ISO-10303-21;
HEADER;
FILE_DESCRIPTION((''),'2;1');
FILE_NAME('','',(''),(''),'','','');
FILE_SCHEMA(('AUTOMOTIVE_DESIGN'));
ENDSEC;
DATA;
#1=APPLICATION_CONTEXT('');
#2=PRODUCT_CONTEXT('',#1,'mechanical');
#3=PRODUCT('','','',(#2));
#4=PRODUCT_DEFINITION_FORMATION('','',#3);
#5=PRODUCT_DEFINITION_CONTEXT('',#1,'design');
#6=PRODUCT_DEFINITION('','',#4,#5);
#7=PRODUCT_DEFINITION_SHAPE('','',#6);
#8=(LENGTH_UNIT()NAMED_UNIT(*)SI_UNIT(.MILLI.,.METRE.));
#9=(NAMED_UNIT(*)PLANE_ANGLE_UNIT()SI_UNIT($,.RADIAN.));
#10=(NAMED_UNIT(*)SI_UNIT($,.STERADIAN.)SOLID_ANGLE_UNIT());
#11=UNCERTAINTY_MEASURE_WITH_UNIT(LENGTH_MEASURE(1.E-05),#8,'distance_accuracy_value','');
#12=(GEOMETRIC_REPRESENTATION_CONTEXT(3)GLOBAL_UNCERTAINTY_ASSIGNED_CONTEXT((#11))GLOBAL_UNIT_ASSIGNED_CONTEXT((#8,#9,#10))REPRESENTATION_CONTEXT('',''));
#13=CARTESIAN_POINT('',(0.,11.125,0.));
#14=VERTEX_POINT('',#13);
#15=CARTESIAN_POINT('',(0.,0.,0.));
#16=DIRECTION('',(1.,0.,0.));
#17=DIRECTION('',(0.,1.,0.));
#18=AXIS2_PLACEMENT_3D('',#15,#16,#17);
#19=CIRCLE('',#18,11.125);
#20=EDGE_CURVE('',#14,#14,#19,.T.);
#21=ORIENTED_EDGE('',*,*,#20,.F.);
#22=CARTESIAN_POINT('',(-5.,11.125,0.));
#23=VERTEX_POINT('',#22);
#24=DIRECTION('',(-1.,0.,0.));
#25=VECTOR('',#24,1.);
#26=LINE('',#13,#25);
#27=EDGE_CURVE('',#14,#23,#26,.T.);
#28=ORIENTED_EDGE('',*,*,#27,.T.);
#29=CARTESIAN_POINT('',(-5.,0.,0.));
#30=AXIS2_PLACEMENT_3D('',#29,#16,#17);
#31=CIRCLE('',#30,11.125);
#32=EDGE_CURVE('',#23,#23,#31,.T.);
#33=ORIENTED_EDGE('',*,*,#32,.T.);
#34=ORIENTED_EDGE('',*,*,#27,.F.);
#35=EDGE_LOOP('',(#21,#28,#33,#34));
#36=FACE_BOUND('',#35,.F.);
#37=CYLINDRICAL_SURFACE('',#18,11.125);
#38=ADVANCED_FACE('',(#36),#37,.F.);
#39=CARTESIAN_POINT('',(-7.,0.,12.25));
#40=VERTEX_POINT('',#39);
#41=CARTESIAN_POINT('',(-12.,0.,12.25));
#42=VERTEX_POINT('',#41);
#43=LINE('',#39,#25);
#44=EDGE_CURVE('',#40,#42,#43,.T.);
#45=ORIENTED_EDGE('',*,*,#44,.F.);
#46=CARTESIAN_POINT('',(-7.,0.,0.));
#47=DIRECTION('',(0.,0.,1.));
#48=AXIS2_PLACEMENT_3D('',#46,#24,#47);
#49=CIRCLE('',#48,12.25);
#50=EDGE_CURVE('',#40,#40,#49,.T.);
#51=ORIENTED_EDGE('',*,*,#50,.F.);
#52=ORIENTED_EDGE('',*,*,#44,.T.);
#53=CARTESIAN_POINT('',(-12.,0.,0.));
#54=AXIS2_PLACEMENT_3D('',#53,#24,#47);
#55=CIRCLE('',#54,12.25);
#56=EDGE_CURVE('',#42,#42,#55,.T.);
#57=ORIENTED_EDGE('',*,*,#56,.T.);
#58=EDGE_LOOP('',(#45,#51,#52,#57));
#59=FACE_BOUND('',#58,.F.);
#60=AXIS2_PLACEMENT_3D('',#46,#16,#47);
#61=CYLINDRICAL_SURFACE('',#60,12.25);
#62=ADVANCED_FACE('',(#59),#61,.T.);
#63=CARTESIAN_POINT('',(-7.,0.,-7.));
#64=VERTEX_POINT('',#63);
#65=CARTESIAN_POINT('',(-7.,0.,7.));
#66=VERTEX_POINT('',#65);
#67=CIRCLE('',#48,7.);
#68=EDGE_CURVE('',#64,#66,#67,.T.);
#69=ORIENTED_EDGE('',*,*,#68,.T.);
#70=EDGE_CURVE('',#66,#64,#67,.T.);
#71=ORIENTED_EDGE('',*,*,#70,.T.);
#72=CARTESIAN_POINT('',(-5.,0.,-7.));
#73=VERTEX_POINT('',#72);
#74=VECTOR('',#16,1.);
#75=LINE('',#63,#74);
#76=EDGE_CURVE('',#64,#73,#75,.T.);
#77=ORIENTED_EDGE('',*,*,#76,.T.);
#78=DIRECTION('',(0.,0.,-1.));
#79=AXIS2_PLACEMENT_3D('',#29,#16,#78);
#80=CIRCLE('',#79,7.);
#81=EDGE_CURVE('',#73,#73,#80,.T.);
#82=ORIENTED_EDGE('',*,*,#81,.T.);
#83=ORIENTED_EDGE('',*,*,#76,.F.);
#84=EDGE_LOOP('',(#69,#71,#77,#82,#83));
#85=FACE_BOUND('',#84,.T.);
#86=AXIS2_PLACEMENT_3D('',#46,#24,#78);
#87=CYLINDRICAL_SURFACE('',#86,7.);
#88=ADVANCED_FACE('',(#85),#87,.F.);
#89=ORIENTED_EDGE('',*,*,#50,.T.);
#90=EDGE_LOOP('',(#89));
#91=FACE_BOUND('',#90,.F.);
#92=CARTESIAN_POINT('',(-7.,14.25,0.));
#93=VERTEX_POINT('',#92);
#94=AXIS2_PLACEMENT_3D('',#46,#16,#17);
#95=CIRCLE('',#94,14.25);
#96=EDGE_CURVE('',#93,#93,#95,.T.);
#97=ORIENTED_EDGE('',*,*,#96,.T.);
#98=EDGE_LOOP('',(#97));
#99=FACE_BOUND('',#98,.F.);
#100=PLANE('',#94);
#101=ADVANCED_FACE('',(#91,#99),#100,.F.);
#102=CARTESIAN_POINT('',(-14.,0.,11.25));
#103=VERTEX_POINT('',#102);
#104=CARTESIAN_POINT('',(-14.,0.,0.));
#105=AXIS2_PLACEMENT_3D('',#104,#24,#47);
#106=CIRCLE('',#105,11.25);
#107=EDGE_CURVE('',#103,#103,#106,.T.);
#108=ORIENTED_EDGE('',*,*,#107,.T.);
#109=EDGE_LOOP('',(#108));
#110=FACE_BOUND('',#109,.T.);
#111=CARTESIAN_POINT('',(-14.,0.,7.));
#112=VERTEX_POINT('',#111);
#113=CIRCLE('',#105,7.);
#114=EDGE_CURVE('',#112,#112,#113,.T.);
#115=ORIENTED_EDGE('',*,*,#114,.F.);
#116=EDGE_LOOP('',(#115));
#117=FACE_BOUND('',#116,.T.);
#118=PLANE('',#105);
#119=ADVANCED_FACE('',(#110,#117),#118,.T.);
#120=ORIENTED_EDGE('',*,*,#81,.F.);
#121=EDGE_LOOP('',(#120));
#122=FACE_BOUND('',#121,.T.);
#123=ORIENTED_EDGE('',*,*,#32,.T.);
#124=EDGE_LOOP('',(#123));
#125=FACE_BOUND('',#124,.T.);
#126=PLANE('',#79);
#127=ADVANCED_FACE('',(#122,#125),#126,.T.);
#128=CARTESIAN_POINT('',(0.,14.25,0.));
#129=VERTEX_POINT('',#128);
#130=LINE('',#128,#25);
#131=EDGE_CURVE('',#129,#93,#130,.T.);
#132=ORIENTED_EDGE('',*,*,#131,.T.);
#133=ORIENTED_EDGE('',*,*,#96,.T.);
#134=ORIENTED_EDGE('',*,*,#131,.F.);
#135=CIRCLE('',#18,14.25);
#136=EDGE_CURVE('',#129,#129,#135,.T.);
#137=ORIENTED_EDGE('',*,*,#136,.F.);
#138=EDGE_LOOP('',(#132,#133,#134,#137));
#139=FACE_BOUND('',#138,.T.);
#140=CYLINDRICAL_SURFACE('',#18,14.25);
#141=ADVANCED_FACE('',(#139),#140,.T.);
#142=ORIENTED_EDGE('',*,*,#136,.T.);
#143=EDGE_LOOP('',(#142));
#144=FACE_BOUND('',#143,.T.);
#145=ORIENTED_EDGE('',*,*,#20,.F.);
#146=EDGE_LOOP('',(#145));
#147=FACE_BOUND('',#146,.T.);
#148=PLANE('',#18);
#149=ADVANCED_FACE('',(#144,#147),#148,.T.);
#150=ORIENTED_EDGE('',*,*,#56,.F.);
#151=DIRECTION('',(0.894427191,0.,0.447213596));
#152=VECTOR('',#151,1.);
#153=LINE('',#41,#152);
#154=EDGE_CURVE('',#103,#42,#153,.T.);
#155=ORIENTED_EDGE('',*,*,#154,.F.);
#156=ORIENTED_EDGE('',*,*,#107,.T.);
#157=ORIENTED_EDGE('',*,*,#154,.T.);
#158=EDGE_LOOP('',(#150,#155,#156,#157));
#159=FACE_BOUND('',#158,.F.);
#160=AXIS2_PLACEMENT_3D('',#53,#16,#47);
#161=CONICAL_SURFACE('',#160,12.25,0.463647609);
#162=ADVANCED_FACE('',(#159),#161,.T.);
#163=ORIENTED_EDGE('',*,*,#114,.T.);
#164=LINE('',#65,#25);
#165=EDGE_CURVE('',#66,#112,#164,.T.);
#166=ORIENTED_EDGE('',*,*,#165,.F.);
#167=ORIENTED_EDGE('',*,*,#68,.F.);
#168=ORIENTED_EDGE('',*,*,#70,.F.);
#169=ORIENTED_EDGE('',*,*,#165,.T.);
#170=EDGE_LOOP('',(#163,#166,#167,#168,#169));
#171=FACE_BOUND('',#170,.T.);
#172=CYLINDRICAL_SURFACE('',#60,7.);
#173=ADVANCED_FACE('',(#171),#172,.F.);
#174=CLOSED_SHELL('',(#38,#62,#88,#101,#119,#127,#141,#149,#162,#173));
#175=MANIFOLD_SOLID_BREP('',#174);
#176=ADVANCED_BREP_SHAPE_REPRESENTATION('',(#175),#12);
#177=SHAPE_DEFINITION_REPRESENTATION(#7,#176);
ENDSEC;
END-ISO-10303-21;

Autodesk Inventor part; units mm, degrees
ref_plane "YZ Plane" through (0, 0, 0) normal (1, 0, 0) x (0, 1, 0)
ref_plane "XZ Plane" through (0, 0, 0) normal (0, 1, 0) x (-1, 0, 0)
ref_plane "XY Plane" through (0, 0, 0) normal (0, 0, 1) x (1, 0, 0)
sketch "Sketch1" plane through (0, 0, 0) normal (1, 0, 0) x (0, 1, 0)
  circle A0 centre (0, 0) radius 11.125
  circle A1 centre (0, 0) radius 14.25
  dimension "d0" = 22.25
  dimension "d1" = 28.5
extrude "Extrusion1" add sketch "Sketch1" against normal blind 7
sketch "Sketch2" plane through (-7, 0, 0) normal (-1, 0, 0) x (0, 0, 1)
  circle A0 centre (0, 0) radius 14.25 projected
  circle A1 centre (0, 0) radius 11.125 projected
  circle A2 centre (0, 0) radius 12.25
  circle A3 centre (0, 0) radius 14.25 projected
  circle A4 centre (0, 0) radius 7
  dimension "d4" = 24.5
  dimension "d5" = 14
extrude "Extrusion2" add sketch "Sketch2" along normal blind 7 contours A1 | A2
sketch "Sketch3" plane through (-7, 0, 0) normal (1, 0, 0) x (0, 0, -1)
  circle A0 centre (0, 0) radius 7 projected
  circle A1 centre (0, 0) radius 11.125 projected
extrude "Extrusion3" add sketch "Sketch3" along normal blind 2
chamfer "Chamfer1" distance 1 distance2 2 1 edges at (-14, 0, -12.25) measured on face at (-14, -0.9772, 10.3813)
properties part number "am3298_bearing_adapter"
